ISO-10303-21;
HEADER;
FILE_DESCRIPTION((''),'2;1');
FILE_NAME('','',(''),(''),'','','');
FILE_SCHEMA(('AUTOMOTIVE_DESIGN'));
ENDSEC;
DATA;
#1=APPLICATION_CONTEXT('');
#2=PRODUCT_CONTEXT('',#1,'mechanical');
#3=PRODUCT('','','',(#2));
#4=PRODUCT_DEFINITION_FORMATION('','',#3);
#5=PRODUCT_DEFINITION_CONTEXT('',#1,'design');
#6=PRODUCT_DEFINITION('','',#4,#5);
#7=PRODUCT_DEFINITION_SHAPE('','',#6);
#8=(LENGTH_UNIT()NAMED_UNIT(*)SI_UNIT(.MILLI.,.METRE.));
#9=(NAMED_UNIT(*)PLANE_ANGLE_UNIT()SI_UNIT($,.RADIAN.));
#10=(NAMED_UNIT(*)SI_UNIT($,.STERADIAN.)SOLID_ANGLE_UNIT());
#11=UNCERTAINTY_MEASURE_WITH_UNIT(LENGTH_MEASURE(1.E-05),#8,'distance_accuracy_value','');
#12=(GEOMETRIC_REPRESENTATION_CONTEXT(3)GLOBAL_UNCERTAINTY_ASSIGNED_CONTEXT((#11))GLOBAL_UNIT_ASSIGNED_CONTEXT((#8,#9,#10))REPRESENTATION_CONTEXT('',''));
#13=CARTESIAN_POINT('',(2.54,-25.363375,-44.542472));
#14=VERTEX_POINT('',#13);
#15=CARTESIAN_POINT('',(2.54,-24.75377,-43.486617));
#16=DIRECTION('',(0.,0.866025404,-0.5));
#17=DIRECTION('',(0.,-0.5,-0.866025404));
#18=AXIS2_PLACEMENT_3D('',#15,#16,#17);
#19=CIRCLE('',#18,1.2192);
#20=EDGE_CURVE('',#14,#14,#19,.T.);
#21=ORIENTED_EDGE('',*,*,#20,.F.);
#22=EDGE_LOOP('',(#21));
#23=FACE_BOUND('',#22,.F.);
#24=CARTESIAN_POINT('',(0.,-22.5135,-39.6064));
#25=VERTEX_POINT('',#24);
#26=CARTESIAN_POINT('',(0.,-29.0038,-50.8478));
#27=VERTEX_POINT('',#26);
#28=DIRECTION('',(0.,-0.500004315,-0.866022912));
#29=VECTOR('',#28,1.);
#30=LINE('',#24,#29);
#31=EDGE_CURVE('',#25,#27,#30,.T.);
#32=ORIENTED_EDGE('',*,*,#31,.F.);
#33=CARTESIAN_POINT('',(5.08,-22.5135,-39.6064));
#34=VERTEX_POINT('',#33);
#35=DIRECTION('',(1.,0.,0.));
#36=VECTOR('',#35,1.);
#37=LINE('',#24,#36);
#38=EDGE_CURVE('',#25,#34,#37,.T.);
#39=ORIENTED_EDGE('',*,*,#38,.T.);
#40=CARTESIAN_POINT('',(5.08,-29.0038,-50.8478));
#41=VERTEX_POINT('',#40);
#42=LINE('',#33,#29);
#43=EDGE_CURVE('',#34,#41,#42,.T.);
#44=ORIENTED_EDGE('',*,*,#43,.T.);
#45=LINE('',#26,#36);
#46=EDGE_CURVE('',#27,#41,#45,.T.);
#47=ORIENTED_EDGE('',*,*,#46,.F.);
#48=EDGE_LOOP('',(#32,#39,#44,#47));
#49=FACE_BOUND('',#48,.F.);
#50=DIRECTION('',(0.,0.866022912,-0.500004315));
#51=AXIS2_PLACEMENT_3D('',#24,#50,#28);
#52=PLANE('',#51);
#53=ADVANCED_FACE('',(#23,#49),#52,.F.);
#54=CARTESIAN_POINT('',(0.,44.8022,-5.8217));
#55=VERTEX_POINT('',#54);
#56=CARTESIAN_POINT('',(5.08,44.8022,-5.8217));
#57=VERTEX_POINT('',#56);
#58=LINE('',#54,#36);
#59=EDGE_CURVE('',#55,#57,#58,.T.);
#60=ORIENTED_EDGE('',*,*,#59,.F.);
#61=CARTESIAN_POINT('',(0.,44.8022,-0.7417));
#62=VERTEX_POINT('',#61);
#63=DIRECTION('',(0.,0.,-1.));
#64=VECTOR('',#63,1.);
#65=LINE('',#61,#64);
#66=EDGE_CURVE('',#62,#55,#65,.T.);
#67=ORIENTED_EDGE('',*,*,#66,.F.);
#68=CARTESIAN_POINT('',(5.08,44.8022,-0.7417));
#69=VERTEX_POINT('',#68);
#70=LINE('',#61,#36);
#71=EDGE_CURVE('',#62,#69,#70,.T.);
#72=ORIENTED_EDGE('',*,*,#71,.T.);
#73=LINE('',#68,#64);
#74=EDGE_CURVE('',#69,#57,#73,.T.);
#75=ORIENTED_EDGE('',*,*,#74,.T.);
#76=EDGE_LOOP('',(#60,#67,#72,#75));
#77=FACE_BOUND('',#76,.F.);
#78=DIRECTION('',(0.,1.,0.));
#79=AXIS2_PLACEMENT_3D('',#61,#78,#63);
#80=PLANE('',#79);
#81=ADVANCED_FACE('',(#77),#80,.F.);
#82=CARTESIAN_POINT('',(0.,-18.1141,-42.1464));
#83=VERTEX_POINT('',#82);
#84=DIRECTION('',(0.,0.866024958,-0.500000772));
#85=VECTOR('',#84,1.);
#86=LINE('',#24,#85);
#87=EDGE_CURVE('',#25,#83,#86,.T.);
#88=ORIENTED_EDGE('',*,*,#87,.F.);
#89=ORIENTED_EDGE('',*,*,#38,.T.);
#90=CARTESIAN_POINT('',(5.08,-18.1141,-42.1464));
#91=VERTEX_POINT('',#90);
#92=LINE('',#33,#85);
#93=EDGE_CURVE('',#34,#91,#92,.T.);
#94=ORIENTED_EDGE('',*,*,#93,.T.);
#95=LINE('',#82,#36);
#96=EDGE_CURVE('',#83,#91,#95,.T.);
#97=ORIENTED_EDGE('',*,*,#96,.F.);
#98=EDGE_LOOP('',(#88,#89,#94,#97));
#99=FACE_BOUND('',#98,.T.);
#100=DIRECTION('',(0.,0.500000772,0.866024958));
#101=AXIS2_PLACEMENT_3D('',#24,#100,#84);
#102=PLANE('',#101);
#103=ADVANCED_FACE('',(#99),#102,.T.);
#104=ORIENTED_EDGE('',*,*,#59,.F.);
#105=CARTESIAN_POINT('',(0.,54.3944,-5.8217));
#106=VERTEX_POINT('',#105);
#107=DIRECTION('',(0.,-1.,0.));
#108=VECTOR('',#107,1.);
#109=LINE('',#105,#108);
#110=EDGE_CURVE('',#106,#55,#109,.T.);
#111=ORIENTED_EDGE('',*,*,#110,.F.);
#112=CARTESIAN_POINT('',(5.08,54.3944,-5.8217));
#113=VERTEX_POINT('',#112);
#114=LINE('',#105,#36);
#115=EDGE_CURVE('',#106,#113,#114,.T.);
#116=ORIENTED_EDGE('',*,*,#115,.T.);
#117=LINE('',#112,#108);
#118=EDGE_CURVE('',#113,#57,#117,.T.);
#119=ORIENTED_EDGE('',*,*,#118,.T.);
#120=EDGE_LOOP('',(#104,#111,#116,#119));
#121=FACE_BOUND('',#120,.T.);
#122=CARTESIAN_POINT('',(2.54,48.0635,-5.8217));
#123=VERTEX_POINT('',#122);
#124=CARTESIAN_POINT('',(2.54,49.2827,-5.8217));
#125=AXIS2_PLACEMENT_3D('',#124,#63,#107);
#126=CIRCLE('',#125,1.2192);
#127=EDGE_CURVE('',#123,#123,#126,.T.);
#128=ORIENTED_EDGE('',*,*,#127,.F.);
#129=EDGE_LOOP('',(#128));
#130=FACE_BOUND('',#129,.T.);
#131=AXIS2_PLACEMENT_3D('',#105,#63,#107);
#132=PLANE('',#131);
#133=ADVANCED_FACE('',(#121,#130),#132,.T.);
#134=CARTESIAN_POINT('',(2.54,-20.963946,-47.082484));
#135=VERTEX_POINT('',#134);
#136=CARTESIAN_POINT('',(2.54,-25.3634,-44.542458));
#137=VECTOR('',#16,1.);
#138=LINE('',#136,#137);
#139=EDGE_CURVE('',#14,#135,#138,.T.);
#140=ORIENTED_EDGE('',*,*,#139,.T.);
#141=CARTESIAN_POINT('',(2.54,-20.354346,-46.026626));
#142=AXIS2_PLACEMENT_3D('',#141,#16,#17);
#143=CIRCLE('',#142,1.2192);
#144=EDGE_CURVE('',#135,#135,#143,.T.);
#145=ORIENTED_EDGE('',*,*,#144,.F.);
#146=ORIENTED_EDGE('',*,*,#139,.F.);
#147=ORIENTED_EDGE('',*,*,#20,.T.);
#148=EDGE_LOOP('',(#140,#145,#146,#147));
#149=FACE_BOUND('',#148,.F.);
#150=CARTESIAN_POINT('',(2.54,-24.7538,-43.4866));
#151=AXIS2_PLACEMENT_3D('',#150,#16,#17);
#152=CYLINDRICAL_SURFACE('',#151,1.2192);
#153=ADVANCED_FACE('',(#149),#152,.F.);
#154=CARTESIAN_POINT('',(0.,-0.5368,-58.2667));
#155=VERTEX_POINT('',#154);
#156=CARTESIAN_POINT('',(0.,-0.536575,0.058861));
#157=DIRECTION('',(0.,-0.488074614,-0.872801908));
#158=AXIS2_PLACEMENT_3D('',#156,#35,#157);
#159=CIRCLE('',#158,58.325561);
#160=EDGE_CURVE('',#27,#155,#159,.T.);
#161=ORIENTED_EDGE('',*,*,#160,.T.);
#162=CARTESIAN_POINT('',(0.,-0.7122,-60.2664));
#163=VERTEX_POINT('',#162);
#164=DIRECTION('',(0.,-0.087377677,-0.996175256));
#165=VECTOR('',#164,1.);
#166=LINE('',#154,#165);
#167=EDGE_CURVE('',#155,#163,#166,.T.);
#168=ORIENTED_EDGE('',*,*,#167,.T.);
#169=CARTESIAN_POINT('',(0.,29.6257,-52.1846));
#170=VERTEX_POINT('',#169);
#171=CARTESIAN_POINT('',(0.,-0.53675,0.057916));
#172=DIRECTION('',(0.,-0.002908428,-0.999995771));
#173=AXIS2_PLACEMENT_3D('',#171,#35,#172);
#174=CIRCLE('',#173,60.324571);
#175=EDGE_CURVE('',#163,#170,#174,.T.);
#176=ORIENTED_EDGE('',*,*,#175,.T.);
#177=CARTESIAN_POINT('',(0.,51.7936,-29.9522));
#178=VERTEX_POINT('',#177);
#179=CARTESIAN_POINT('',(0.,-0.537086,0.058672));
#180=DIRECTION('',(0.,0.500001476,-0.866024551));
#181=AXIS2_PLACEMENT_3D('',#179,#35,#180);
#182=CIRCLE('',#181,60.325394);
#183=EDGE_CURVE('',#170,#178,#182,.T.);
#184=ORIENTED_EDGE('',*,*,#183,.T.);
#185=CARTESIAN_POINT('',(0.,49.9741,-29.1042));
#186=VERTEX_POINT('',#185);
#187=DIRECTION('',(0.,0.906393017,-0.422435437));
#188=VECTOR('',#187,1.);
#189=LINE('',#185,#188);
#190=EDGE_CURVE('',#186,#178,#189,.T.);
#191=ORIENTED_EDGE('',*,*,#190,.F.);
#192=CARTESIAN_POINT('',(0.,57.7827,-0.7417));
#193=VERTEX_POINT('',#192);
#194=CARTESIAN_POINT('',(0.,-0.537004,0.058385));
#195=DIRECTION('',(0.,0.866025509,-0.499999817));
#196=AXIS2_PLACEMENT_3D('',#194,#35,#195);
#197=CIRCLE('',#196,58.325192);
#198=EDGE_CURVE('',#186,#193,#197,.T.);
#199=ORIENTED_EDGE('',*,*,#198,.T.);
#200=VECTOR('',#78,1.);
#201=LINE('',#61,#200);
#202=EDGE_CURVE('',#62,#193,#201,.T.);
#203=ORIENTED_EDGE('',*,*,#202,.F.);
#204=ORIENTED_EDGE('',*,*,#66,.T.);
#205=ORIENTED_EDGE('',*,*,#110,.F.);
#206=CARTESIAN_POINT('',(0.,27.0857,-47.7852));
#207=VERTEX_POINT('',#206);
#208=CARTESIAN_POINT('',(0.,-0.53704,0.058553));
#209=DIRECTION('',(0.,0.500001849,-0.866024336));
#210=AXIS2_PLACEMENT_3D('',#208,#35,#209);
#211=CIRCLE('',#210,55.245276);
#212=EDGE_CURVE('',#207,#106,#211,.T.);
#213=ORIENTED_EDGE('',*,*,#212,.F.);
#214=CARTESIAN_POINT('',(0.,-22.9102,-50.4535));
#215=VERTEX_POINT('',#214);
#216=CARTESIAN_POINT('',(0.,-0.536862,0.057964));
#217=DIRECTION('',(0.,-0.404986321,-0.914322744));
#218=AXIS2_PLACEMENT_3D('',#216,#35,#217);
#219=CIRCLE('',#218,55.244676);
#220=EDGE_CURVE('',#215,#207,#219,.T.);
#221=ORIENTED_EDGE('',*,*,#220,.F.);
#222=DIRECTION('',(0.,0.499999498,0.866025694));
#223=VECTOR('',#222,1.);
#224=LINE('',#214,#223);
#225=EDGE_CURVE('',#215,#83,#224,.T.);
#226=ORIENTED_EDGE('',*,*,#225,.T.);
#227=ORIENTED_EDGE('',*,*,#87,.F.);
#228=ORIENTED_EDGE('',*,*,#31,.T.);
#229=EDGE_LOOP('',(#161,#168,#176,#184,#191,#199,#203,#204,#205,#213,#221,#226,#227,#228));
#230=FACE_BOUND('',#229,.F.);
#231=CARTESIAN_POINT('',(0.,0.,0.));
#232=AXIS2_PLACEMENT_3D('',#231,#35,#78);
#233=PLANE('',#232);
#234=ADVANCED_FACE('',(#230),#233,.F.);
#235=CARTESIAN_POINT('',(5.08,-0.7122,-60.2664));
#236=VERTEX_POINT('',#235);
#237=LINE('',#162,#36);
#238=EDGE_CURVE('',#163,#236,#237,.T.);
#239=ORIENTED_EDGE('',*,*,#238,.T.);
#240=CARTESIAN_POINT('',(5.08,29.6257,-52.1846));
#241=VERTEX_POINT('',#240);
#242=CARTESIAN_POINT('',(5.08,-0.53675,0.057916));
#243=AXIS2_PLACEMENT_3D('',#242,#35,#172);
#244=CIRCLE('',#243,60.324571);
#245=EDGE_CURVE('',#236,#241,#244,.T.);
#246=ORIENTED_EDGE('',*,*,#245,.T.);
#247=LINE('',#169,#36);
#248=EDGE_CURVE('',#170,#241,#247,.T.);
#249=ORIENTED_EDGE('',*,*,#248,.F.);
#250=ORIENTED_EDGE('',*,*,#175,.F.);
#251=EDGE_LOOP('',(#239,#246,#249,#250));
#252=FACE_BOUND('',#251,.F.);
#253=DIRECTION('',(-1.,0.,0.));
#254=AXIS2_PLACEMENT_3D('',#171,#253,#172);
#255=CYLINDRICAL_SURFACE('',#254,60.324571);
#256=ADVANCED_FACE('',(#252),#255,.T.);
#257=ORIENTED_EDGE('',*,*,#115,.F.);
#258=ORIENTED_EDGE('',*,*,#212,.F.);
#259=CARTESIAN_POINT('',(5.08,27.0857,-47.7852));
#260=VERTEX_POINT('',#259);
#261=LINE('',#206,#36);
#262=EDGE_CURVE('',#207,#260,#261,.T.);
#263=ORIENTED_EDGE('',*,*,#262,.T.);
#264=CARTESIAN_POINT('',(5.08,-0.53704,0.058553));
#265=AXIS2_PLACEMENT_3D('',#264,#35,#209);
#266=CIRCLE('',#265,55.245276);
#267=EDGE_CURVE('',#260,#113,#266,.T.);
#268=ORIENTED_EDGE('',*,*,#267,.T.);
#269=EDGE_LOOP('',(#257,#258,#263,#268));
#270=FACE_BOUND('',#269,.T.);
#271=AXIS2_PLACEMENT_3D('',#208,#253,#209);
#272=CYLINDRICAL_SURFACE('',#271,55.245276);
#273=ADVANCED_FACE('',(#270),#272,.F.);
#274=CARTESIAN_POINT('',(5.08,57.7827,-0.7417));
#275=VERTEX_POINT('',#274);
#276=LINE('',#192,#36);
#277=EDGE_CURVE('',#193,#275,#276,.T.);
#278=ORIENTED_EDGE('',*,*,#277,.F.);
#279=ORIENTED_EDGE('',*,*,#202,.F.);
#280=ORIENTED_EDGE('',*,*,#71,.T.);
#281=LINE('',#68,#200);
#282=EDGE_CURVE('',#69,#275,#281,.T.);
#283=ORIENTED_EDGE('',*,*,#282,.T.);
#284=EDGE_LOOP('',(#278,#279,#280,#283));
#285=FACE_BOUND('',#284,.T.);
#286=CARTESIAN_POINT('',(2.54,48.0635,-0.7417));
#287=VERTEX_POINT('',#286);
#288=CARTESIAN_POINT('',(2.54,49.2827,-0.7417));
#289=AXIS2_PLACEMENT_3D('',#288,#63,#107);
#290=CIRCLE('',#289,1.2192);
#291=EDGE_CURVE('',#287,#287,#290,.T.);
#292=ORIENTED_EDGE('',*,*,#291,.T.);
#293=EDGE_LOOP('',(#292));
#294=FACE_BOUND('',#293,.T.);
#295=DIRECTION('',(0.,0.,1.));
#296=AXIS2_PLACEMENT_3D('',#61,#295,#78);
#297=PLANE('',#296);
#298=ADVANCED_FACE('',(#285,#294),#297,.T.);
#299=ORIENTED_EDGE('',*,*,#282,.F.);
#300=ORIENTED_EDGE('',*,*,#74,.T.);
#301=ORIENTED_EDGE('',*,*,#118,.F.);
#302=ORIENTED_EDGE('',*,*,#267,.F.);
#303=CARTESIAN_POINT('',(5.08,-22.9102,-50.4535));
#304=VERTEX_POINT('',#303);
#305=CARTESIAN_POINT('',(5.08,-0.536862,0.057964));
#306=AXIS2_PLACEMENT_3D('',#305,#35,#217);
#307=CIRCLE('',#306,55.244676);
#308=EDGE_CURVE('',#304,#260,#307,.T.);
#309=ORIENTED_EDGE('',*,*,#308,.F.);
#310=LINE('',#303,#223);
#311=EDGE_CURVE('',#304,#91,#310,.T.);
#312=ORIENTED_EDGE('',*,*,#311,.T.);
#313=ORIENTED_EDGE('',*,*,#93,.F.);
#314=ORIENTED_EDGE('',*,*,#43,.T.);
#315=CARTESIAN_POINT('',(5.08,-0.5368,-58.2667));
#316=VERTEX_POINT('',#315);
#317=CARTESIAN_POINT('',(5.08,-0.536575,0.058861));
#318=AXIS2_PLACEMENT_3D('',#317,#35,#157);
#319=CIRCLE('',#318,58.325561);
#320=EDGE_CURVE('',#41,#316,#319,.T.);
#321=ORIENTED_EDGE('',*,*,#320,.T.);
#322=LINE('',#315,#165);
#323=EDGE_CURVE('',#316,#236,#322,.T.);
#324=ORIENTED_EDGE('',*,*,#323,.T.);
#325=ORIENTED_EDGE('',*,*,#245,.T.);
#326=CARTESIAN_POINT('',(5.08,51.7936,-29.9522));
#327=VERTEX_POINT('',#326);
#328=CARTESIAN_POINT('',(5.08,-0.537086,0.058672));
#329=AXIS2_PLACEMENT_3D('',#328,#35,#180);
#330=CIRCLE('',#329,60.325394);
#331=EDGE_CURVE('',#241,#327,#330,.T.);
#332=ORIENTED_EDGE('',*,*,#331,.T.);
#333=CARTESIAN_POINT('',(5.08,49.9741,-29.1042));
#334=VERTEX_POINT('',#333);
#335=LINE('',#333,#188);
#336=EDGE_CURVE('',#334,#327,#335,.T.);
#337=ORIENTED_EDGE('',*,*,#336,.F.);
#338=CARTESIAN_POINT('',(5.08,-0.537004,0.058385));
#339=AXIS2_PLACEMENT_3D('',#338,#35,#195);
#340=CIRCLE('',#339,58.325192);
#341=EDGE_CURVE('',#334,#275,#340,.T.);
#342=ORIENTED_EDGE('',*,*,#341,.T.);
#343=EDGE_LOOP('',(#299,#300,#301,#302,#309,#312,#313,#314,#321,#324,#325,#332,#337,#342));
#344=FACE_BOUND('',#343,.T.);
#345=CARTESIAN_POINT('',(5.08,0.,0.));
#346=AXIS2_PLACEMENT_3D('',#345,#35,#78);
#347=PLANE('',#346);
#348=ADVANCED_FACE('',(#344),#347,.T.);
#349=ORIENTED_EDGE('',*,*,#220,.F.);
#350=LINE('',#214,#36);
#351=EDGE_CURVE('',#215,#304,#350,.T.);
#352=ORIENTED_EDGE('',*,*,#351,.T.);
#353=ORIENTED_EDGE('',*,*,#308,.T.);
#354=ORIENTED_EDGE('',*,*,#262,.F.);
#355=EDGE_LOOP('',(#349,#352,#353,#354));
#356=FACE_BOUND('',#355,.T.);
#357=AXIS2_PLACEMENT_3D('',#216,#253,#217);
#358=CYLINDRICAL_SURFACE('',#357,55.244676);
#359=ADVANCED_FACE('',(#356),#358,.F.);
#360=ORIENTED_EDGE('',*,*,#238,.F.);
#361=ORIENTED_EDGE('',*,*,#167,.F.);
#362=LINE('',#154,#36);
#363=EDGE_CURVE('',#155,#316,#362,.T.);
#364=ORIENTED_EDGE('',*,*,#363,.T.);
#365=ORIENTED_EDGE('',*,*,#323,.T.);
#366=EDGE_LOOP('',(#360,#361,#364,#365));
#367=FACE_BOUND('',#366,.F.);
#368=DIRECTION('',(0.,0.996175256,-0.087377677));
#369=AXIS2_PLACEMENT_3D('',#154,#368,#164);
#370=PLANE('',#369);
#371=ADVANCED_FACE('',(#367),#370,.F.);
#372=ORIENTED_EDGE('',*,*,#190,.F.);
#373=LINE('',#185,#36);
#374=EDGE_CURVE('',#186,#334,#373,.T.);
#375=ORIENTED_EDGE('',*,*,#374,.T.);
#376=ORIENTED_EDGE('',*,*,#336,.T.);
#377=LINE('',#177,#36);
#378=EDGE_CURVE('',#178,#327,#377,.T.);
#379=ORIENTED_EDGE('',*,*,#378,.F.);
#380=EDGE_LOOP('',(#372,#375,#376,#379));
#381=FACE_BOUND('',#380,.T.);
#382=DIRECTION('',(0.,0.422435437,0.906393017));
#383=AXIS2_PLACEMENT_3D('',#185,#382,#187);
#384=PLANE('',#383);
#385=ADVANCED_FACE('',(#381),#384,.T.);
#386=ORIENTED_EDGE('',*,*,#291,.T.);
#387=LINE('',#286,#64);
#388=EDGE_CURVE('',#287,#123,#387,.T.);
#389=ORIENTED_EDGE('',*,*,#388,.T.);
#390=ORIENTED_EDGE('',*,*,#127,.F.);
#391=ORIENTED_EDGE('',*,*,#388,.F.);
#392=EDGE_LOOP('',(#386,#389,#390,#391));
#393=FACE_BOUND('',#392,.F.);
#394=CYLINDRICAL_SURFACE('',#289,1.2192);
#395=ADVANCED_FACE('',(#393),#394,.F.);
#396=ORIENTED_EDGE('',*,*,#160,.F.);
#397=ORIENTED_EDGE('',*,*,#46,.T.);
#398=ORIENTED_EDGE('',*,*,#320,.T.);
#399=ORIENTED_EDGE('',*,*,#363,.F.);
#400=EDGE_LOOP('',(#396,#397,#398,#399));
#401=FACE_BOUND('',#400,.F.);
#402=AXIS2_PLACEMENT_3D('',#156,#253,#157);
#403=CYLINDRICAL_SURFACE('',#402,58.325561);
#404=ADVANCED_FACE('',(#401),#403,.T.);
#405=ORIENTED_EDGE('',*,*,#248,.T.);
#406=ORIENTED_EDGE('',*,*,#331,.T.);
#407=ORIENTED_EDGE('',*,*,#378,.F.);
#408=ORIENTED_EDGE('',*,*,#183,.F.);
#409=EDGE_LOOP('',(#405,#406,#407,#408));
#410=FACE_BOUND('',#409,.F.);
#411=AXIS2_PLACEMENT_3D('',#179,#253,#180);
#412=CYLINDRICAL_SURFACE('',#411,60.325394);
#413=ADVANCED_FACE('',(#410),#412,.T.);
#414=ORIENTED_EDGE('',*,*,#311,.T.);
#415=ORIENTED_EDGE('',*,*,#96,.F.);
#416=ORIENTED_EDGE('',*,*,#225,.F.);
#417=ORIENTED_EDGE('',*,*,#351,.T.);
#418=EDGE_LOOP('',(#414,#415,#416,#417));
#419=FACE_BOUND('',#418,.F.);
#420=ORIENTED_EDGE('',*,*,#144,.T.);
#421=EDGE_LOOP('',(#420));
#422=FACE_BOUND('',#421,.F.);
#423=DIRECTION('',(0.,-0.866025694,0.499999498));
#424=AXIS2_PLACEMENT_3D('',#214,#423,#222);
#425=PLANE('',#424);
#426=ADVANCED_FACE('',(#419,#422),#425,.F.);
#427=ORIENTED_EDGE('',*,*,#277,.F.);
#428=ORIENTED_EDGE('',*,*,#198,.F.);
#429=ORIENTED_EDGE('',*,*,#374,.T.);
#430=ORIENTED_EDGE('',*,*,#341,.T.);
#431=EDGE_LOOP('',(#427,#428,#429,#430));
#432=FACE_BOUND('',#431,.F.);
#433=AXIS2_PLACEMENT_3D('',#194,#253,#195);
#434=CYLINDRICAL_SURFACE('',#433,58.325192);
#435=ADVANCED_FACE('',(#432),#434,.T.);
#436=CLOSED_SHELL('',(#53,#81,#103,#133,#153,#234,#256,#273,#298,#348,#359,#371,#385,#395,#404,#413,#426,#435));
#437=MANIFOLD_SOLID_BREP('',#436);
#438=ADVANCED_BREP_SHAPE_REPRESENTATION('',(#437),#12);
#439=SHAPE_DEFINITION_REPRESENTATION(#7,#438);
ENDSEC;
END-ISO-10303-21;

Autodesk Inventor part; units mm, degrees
ref_plane "YZ Plane" through (0, 0, 0) normal (1, 0, 0) x (0, 1, 0)
ref_plane "XZ Plane" through (0, 0, 0) normal (0, 1, 0) x (-1, 0, 0)
ref_plane "XY Plane" through (0, 0, 0) normal (0, 0, 1) x (1, 0, 0)
sketch "Part" plane through (0, 0, 0) normal (1, 0, 0) x (0, 1, 0)
  line L0 (-0.5368, 0.0583) -> (59.7882, 0.0583) construction
  line L1 (-0.5371, -0.7417) -> (44.8022, -0.7417) construction
  arc A0 (59.7829, -0.7417) -> (59.7882, 0.0583) centre (-0.5368, 0.0583) ccw construction
  line L2 (-0.5368, 0.0583) -> (49.9741, -29.1042) construction
  arc A1 (47.3067, -27.5642) -> (54.7024, -0.7417) centre (-0.5368, 0.0583) ccw construction
  line L3 (69.9104, -5.8217) -> (54.3944, -5.8217) construction
  arc A2 (51.7936, -29.9522) -> (59.7829, -0.7417) centre (-0.5368, 0.0583) ccw construction
  line L4 (-0.5368, 0.0583) -> (66.9803, -116.8847) construction
  arc A3 (29.6257, -52.1846) -> (51.7936, -29.9522) centre (-0.5368, 0.0583) ccw
  arc A4 (27.0857, -47.7852) -> (54.3944, -5.8217) centre (-0.5368, 0.0583) ccw
  arc A5 (54.7024, -0.7417) -> (54.7082, 0.0583) centre (-0.5368, 0.0583) ccw construction
  line L5 (54.7024, -0.7417) -> (59.7829, -0.7417) construction
  line L6 (57.491, -5.8217) -> (54.3944, -5.8217) construction
  line L7 (44.8022, 0.0583) -> (44.8022, -0.7417) construction
  line L8 (44.8022, -0.7417) -> (44.8022, -5.8217)
  line L9 (44.8022, -5.8217) -> (44.8022, -11.0315) construction
  line L10 (44.8022, -0.7417) -> (57.7827, -0.7417)
  line L11 (44.8022, -5.8217) -> (-19.8971, -5.8217) construction
  line L12 (49.2882, 5.599) -> (49.2882, -56.7812) construction
  arc A6 (28.6257, -50.4526) -> (49.9741, -29.1042) centre (-0.5368, 0.0583) ccw construction
  line L13 (54.3944, -5.8217) -> (50.4651, -5.8217) construction
  line L14 (54.3944, -5.8217) -> (44.8022, -5.8217)
  line L15 (49.9741, -29.1042) -> (51.7936, -29.9522)
  arc A7 (49.9741, -29.1042) -> (57.7827, -0.7417) centre (-0.5368, 0.0583) ccw
  arc A8 (57.7827, -0.7417) -> (57.7882, 0.0583) centre (-0.5368, 0.0583) ccw construction
  line L16 (-0.5368, 0.0583) -> (-30.6993, -52.1846) construction
  line L17 (0.1561, -0.3414) -> (-22.5135, -39.6064) construction
  arc A9 (-30.6993, -52.1846) -> (-30.0039, -52.5801) centre (-0.5368, 0.0583) ccw construction
  line L18 (-0.5368, 0.0583) -> (-0.5368, -58.2667) construction
  arc A10 (-27.4636, -48.1802) -> (-0.5368, -55.1867) centre (-0.5368, 0.0583) ccw construction
  line L19 (-30.6682, -63.8907) -> (-22.9102, -50.4535) construction
  arc A11 (-30.0039, -52.5801) -> (-0.7122, -60.2664) centre (-0.5368, 0.0583) ccw construction
  arc A12 (-0.7122, -60.2664) -> (29.6257, -52.1846) centre (-0.5368, 0.0583) ccw
  arc A13 (-22.9102, -50.4535) -> (27.0857, -47.7852) centre (-0.5368, 0.0583) ccw
  arc A14 (-28.1593, -47.7852) -> (-27.4636, -48.1802) centre (-0.5368, 0.0583) ccw construction
  line L20 (-27.4636, -48.1802) -> (-30.0039, -52.5801) construction
  line L21 (-24.4585, -53.1353) -> (-22.9102, -50.4535) construction
  line L22 (-23.2063, -39.2064) -> (-22.5135, -39.6064) construction
  line L23 (-22.5135, -39.6064) -> (-18.1141, -42.1464)
  line L24 (-18.1141, -42.1464) -> (-13.6022, -44.7513) construction
  line L25 (-22.5135, -39.6064) -> (-29.0038, -50.8478)
  line L26 (-18.1141, -42.1464) -> (14.2355, 13.8848) construction
  line L27 (-30.2477, -40.3211) -> (23.7751, -71.5111) construction
  arc A15 (-0.5368, -58.2667) -> (28.6257, -50.4526) centre (-0.5368, 0.0583) ccw construction
  line L28 (-22.9102, -50.4535) -> (-20.9456, -47.0506) construction
  line L29 (-22.9102, -50.4535) -> (-18.1141, -42.1464)
  line L30 (-0.5368, -58.2667) -> (-0.7122, -60.2664)
  arc A16 (-29.0038, -50.8478) -> (-0.5368, -58.2667) centre (-0.5368, 0.0583) ccw
  arc A17 (-29.6993, -50.4526) -> (-29.0038, -50.8478) centre (-0.5368, 0.0583) ccw construction
  dimension "d29" = 60.325
  dimension "d32" = 30
  dimension "d35" = 5.08
  dimension "d37" = 60
  dimension "d38" = 55.245
  dimension "d42" = 14.986
  dimension "d44" = 10.5
  dimension "d45" = 58.325
  dimension "d64" = 0.8
extrude "Extrusion2" add sketch "Part" along normal blind 5.08
sketch "Sketch5" plane through (0, 44.8022, -0.7417) normal (0, 0, 1) x (1, 0, 0)
  line L0 (0, 12.9805) -> (5.08, 12.9805) projected
  line L1 (2.54, 12.9805) -> (2.54, 0) construction
  line L2 (0, 0) -> (5.08, 0) projected
  line L3 (0, 4.4805) -> (5.08, 4.4805) construction
  point P0 (0, -44.8022)
  point P1 (2.54, 4.4805)
  dimension "d48" = 8.5
hole "Hole1" at (2.54, 49.2827, -0.7417) direction (0, 0, -1) diameter 2.4384 depth 12.2936 tip angle 118 clearance for "Flat Head Machine Screw (82)" size "#2" standard "Ansi Unified Screw Threads"
sketch "Sketch6" plane through (0, -29.0038, -50.8478) normal (0, -0.866, 0.5) x (1, 0, 0)
  line L0 (0, 12.9805) -> (5.08, 12.9805) construction
  line L1 (2.54, 12.9805) -> (2.54, 0) construction
  line L2 (0, 0) -> (5.08, 0) construction
  line L3 (0, 5.9891) -> (0, 58.4948) construction
  line L4 (0, 8.5) -> (5.08, 8.5) construction
  line L5 (5.08, 5.9891) -> (5.08, 58.4948) construction
  point P0 (0, 58.5374)
  point P1 (2.54, 8.5)
  dimension "d56" = 8.5
hole "Hole2" at (2.54, -24.7538, -43.4866) direction (0, 0.866, -0.5) diameter 2.4384 depth 12.2936 tip angle 118 clearance for "Flat Head Machine Screw (82)" size "#2" standard "Ansi Unified Screw Threads"
equation "\"d35\" = d29 - d34"
equation "\"d34\" = 55.245"
properties part number "new_insert"
